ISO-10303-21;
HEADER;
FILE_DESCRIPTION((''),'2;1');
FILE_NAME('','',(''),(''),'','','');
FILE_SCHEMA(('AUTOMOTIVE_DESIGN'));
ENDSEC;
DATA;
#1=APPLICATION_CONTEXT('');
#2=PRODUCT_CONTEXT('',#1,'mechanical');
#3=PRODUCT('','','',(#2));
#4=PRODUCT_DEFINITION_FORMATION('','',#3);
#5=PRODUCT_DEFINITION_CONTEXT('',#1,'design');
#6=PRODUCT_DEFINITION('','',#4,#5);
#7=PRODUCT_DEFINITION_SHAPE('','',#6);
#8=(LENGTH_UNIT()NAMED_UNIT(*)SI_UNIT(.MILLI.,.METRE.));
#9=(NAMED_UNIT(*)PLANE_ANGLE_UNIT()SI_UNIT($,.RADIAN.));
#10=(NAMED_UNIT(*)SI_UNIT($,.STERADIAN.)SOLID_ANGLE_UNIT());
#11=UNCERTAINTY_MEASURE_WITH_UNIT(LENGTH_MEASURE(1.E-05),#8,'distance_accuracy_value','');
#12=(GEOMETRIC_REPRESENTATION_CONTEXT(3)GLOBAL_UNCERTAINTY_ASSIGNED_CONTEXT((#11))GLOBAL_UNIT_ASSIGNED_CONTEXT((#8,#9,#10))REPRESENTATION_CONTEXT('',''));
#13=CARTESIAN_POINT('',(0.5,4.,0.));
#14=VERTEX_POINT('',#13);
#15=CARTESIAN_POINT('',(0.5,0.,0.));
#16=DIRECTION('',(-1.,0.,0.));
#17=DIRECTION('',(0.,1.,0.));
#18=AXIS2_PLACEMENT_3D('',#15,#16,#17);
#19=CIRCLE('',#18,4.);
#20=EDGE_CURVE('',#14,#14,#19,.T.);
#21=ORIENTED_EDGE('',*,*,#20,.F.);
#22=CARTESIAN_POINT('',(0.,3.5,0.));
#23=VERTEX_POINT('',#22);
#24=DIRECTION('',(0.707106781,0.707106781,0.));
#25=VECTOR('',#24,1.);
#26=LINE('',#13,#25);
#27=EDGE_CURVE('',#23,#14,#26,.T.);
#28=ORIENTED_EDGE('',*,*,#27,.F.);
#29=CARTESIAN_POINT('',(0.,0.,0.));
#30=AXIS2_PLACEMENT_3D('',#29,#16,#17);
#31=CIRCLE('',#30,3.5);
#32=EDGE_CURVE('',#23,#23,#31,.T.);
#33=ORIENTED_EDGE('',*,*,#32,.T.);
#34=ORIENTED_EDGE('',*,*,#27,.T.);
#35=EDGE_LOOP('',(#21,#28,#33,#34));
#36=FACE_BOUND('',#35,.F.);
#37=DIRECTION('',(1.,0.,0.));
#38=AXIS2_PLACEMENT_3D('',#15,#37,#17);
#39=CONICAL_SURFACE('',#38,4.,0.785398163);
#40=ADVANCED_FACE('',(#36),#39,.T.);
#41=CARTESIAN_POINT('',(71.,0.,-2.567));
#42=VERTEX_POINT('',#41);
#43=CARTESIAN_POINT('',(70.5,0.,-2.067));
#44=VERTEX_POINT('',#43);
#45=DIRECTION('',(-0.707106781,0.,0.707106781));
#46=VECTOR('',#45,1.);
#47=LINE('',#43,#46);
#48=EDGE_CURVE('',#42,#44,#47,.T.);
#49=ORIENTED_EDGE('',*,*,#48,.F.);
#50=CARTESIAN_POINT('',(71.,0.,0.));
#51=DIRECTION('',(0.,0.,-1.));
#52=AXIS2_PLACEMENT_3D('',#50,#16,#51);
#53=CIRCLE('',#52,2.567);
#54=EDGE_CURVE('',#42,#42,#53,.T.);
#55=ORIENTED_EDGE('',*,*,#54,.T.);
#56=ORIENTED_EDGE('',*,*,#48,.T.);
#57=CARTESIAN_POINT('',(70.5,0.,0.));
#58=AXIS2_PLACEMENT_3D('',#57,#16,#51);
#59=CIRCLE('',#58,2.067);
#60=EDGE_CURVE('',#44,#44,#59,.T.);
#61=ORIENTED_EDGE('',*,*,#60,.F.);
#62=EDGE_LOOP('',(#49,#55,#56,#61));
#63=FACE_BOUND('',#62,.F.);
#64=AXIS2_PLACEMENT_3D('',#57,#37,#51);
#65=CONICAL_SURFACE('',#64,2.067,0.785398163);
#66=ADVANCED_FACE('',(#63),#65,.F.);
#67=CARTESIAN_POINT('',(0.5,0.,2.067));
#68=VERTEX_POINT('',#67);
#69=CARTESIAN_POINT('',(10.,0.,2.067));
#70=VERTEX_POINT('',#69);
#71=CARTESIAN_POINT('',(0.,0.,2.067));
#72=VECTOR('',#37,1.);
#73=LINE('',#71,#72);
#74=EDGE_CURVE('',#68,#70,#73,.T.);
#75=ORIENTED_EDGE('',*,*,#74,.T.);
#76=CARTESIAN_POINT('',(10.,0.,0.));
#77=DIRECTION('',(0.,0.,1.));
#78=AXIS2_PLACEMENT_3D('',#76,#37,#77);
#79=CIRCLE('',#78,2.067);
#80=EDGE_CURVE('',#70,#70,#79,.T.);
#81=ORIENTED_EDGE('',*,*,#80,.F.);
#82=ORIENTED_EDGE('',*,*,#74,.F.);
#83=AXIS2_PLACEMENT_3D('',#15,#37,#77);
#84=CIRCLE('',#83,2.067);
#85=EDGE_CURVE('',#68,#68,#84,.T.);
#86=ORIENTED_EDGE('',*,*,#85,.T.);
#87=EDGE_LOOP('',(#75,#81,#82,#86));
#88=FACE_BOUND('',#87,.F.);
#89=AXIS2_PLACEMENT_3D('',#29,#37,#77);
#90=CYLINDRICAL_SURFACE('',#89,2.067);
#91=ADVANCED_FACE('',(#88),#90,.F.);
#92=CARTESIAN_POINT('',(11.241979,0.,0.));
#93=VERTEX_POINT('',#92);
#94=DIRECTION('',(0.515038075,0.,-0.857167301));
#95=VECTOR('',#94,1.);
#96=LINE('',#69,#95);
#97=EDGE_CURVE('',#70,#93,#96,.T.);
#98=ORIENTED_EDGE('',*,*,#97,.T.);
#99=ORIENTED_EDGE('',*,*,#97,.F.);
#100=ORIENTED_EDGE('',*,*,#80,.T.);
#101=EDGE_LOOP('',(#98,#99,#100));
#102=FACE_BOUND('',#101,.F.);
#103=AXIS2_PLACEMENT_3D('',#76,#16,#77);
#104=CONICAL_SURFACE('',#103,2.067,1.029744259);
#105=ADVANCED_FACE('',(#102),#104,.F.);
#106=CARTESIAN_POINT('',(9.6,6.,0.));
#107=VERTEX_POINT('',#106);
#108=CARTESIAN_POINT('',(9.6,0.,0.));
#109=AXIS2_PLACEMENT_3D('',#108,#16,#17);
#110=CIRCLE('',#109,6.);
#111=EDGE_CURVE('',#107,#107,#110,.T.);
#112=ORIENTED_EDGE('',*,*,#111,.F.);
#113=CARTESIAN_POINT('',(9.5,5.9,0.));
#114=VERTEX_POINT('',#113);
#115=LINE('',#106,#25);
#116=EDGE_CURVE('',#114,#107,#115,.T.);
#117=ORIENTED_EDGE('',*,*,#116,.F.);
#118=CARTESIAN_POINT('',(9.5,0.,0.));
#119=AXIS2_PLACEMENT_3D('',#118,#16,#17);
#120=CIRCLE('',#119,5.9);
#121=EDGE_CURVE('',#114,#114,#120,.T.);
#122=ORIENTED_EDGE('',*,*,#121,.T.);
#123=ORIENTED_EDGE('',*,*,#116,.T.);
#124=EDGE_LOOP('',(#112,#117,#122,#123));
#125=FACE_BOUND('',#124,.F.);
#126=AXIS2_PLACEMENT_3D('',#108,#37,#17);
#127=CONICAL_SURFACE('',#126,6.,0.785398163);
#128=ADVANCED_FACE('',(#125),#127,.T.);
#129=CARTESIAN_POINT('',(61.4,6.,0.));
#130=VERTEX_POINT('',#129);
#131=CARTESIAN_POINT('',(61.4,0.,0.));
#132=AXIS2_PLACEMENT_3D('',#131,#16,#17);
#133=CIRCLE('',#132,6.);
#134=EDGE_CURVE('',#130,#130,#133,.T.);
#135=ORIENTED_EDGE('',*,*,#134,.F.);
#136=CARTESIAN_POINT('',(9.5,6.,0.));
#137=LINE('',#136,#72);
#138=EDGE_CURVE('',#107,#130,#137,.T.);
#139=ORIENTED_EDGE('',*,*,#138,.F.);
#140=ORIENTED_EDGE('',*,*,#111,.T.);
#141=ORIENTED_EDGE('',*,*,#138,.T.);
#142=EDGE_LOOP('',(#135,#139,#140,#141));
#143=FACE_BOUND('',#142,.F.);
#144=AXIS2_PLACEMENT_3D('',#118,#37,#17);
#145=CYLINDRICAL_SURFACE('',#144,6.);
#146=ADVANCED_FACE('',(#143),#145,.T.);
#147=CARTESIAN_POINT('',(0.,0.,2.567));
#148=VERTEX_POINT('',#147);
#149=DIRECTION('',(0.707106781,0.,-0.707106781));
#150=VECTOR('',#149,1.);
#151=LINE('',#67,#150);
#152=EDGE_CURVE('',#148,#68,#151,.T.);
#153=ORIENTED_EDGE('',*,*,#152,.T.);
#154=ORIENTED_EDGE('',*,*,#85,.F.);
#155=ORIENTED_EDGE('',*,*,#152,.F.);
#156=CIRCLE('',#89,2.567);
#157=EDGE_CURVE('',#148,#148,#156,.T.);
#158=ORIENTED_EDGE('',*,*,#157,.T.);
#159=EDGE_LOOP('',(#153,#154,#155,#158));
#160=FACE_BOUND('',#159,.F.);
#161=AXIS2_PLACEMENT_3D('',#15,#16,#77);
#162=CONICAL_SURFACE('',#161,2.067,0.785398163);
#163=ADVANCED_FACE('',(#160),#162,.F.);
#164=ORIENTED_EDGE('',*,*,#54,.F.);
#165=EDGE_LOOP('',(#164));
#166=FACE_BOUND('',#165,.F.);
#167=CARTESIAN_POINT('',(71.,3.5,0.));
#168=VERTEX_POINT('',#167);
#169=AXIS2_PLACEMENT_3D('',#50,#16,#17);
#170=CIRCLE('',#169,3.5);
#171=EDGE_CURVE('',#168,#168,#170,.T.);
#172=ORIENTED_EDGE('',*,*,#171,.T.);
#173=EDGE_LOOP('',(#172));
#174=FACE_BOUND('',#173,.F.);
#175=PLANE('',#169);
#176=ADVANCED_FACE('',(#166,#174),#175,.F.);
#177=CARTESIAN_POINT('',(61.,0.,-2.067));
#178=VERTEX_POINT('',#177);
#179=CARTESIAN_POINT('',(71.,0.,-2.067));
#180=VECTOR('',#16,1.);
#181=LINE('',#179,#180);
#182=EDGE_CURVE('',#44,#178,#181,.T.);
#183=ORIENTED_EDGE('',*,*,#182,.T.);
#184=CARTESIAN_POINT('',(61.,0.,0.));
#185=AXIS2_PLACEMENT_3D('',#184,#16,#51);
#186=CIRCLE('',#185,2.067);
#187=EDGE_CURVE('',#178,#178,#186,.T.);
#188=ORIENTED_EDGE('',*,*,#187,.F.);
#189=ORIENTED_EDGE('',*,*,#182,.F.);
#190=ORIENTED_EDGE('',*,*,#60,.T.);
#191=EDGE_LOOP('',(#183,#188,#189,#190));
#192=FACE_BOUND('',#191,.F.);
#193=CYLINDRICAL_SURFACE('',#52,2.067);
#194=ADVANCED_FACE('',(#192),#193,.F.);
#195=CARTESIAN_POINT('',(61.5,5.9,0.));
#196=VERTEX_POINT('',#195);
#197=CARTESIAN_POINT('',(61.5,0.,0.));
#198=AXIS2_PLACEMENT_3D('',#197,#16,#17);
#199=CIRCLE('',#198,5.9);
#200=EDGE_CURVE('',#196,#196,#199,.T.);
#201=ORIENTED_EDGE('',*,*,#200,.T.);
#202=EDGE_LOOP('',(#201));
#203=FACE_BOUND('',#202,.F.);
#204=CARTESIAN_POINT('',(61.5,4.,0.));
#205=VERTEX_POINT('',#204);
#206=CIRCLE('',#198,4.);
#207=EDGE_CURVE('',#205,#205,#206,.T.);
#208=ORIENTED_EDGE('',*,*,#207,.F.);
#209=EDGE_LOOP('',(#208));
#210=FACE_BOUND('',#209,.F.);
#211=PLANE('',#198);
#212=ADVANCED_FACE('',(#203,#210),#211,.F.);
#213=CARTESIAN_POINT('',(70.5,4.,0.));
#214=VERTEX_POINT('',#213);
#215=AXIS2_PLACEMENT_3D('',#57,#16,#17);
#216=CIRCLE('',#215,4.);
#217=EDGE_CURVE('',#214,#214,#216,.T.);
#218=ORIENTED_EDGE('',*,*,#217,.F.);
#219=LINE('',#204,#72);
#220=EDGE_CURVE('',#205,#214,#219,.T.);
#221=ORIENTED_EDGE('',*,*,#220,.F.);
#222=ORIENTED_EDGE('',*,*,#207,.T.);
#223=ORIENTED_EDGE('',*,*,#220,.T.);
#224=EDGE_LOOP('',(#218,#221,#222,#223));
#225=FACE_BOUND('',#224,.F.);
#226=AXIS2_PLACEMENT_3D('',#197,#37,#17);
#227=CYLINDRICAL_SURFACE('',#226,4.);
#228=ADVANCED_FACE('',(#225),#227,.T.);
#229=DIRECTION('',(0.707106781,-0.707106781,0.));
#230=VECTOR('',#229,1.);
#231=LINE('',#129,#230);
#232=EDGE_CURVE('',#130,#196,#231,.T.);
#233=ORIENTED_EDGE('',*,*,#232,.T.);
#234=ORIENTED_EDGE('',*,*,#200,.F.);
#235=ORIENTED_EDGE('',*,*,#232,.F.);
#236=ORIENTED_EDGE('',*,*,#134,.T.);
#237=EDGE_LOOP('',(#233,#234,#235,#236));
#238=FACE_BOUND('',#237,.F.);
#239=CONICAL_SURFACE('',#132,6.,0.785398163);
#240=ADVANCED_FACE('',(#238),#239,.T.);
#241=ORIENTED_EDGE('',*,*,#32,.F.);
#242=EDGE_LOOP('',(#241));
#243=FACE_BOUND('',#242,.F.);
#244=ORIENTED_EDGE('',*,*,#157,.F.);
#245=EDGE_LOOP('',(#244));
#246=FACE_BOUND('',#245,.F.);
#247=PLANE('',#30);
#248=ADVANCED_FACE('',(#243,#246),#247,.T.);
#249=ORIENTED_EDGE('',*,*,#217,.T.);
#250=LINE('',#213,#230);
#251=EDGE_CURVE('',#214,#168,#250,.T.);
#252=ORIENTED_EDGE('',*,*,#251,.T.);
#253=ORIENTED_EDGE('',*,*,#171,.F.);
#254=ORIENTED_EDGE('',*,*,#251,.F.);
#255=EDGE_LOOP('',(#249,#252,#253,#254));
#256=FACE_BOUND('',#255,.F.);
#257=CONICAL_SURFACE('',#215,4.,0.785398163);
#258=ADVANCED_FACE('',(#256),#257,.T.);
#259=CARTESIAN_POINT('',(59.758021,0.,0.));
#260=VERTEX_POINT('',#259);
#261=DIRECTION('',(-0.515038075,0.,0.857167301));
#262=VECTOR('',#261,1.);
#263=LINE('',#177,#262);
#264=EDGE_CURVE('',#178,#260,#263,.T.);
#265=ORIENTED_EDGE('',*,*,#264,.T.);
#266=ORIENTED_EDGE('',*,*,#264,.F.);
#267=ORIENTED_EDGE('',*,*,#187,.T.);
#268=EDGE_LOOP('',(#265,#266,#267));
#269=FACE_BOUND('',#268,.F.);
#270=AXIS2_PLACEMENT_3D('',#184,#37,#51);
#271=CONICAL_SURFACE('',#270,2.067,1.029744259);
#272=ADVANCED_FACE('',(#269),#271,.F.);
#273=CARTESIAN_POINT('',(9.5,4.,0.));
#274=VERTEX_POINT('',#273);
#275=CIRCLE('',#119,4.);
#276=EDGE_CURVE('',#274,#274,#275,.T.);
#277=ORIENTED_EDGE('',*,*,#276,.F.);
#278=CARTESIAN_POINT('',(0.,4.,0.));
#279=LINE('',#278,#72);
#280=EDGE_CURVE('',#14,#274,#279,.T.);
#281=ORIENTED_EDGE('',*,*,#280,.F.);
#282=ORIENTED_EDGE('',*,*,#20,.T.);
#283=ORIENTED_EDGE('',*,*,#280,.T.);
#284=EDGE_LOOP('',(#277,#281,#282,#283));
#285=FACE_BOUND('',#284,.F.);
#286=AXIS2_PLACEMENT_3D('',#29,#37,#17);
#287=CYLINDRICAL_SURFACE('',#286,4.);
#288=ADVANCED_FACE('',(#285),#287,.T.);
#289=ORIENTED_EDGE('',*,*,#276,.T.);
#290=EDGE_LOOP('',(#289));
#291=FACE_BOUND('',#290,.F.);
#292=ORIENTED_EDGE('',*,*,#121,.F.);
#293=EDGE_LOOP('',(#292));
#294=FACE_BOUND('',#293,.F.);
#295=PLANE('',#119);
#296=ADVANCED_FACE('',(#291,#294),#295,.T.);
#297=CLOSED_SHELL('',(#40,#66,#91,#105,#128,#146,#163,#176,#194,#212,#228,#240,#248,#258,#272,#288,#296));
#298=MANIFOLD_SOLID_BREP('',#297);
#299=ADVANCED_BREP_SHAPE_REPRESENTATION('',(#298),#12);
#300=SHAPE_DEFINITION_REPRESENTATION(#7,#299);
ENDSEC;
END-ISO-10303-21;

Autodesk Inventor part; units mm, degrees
ref_plane "YZ Plane" through (0, 0, 0) normal (1, 0, 0) x (0, 1, 0)
ref_plane "XZ Plane" through (0, 0, 0) normal (0, 1, 0) x (-1, 0, 0)
ref_plane "XY Plane" through (0, 0, 0) normal (0, 0, 1) x (1, 0, 0)
sketch "Skizze1" plane through (0, 0, 0) normal (0, 0, 1) x (1, 0, 0)
  line L0 (0, 0) -> (0, 4)
  line L1 (0, 4) -> (9.5, 4)
  line L2 (9.5, 4) -> (9.5, 6)
  line L3 (9.5, 6) -> (61.5, 6)
  line L4 (61.5, 6) -> (61.5, 4)
  line L5 (61.5, 4) -> (71, 4)
  line L6 (71, 4) -> (71, 0)
  line L7 (71, 0) -> (0, 0)
  dimension "d1" = 9.5
  dimension "d2" = 9.5
  dimension "d3" = 8
  dimension "d4" = 12
  dimension "d29" = 52
revolve "Umdrehung1" add sketch "Skizze1" angle 360 about axis through (71, 0, 0) along (-1, 0, 0)
sketch "Skizze2" plane through (0, 0, 0) normal (-1, 0, 0) x (0, 0, 1)
  point P0 (0, 0)
  point P1 (0, 0)
sketch "Skizze3" plane through (71, 0, 0) normal (1, 0, 0) x (0, 0, -1)
  point P0 (0, 0)
  point P1 (0, 0)
hole "Bohrung1" at (71, 0, 0) direction (-1, 0, 0) diameter 4.134 depth 10 tip angle 118 thread size "M5x0.8" class "6H" standard "ISO Metric profile"
hole "Bohrung2" at (0, 0, 0) direction (1, 0, 0) diameter 4.134 depth 10 tip angle 118 thread size "M5x0.8" class "6H" standard "ISO Metric profile"
chamfer "Fase1" distance 0.5 angle 45 4 edges at (0, -4, 0) (71, -4, 0) (71, 0, 2.067) (0, 0, -2.067)
chamfer "Fase2" distance 0.1 angle 45 2 edges at (61.5, -6, 0) (9.5, -6, 0)
equation "\"d1\" = d2"
equation "\"d29\" = MainAxis_Schluesselweite + 2 * ParallelMech_Distance_Step2Flat"
equation "\"Flansch_ParralelMech_FlatPart_Width\" = 115"
equation "\"MainAxis_Schluesselweite\" = 24"
equation "\"ParallelMech_Distance_Step2Flat\" = 14"
properties part number "ParallelSystem_ProximalPart_Querstreben_v2" material "Edelstahl"
